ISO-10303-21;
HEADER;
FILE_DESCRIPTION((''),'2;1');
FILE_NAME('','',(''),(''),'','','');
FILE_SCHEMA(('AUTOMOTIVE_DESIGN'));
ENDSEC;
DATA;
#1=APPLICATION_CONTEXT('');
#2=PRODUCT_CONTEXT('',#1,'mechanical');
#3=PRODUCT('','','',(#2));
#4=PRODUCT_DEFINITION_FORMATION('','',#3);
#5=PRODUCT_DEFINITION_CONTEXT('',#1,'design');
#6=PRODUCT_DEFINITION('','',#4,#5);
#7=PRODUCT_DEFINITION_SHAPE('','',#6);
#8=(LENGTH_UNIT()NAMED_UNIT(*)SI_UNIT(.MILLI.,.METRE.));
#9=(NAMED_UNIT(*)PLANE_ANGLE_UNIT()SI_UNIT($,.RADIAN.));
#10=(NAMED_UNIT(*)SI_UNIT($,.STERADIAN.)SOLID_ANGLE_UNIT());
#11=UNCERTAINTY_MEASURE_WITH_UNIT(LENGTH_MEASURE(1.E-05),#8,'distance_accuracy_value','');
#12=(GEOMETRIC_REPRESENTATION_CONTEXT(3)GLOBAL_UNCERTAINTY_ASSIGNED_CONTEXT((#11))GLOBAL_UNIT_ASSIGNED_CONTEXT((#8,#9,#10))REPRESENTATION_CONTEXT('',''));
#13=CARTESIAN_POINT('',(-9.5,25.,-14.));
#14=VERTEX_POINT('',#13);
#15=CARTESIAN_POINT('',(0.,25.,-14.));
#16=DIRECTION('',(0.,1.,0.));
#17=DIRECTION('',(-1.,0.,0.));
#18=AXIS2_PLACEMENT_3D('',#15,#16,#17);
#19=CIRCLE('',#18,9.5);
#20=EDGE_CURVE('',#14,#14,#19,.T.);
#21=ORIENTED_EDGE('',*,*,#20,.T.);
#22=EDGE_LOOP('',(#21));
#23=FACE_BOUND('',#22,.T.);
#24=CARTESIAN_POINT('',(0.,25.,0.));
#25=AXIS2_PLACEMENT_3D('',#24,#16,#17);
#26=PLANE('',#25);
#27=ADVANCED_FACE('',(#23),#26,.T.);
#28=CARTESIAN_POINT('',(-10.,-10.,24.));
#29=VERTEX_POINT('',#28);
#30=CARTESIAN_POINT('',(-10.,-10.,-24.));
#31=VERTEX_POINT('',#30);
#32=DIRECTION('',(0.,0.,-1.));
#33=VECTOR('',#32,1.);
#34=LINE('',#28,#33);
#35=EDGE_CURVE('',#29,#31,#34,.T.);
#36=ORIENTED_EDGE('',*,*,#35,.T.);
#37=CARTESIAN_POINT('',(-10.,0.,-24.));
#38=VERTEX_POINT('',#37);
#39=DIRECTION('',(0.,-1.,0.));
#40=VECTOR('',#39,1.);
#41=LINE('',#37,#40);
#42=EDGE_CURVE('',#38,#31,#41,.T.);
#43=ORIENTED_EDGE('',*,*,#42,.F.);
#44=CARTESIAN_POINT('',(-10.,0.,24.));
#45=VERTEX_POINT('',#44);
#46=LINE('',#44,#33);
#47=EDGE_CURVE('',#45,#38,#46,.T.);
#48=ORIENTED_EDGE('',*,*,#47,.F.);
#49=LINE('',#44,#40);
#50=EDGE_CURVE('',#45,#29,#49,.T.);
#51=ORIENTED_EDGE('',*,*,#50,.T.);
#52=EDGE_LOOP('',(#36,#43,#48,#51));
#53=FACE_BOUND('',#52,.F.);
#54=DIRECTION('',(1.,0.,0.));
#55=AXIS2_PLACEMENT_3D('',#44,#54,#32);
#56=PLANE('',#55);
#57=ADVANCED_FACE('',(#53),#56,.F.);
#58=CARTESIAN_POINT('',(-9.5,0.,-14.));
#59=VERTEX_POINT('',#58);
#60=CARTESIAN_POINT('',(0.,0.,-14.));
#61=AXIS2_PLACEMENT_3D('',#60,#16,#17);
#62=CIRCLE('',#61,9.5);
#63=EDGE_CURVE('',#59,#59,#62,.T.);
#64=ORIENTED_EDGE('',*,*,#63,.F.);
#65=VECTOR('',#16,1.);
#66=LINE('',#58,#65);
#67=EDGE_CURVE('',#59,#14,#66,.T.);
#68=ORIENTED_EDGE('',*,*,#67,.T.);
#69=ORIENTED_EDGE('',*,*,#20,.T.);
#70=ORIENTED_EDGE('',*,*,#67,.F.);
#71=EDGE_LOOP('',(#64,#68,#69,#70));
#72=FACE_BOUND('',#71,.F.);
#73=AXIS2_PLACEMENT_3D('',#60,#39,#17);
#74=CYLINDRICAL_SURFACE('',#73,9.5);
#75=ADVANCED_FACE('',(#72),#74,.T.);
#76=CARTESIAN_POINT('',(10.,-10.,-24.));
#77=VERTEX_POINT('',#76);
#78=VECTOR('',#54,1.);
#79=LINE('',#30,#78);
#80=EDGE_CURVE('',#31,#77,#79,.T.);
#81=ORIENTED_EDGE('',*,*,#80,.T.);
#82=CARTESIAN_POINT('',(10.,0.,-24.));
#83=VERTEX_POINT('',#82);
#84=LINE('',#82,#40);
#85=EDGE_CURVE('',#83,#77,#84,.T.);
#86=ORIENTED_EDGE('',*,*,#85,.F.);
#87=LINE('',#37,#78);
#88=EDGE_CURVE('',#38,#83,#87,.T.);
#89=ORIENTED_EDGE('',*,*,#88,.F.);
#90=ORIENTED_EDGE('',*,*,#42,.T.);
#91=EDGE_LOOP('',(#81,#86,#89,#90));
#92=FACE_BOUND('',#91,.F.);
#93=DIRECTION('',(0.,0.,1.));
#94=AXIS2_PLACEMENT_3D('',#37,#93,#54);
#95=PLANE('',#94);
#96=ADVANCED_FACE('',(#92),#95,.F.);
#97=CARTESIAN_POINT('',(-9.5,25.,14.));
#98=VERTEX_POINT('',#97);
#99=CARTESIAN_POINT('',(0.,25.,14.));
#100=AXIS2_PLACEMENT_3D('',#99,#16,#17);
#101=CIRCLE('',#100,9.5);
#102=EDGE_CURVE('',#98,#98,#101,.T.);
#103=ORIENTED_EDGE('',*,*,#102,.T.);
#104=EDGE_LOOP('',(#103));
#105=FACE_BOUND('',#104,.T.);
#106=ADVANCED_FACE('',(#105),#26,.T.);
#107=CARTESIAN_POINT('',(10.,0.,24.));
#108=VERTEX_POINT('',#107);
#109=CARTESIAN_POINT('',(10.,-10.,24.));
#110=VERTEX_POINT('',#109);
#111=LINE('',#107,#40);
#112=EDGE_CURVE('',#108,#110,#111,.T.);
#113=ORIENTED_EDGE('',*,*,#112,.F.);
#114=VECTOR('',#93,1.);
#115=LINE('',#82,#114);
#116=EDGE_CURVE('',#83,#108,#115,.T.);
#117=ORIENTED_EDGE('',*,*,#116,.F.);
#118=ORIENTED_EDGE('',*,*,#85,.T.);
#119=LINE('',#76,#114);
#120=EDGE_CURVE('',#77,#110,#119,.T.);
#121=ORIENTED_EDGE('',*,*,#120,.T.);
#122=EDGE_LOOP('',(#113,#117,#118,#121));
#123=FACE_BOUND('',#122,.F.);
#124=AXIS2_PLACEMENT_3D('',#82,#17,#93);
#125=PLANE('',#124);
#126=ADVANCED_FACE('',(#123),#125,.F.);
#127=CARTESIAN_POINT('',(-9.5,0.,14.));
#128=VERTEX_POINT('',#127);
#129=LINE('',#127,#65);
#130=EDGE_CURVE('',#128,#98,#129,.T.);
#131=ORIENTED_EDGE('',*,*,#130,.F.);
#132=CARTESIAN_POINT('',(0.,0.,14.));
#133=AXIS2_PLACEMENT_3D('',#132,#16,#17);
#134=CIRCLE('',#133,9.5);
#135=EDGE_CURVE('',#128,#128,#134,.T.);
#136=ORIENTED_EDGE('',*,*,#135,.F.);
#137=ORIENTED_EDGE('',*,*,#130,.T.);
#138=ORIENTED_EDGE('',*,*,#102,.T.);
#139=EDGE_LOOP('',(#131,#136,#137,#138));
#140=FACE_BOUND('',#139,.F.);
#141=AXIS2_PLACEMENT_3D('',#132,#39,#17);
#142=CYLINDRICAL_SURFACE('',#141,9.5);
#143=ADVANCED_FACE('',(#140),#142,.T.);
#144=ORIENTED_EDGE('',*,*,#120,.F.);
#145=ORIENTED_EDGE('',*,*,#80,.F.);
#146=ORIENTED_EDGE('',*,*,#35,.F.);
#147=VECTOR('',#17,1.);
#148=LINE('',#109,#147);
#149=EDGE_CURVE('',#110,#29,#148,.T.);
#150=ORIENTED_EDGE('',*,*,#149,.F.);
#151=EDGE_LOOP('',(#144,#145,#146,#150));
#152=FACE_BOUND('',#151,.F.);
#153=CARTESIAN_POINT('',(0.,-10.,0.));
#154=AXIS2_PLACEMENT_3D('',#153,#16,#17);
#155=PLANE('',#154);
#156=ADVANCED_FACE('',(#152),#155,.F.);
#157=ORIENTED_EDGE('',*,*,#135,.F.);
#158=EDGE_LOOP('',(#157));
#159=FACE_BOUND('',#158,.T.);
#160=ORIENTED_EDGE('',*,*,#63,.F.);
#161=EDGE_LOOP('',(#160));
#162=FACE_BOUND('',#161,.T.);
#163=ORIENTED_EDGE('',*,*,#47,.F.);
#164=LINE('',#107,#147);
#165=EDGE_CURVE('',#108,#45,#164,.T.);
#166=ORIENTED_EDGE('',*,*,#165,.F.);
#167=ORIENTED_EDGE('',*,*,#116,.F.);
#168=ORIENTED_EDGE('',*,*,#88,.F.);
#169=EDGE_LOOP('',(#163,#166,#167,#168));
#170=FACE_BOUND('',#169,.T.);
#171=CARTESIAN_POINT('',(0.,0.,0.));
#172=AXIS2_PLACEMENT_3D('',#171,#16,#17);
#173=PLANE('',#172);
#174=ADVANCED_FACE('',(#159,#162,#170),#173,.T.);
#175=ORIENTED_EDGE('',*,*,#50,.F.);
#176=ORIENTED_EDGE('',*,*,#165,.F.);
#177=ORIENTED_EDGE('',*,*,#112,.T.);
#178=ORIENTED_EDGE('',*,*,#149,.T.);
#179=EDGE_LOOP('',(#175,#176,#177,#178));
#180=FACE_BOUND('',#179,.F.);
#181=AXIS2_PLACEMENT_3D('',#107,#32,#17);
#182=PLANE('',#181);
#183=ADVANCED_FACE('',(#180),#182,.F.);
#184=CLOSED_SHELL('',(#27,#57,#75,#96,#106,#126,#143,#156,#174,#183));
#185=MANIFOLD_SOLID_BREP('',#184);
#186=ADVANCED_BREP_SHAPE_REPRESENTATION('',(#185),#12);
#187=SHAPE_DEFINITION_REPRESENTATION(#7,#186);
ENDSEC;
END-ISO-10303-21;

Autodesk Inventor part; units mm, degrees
ref_plane "YZ Plane" through (0, 0, 0) normal (1, 0, 0) x (0, 1, 0)
ref_plane "XZ Plane" through (0, 0, 0) normal (0, 1, 0) x (-1, 0, 0)
ref_plane "XY Plane" through (0, 0, 0) normal (0, 0, 1) x (1, 0, 0)
sketch "Sketch1" plane through (0, 0, 0) normal (0, 1, 0) x (-1, 0, 0)
  line L0 (-10, 24) -> (10, 24)
  line L1 (10, 24) -> (10, -24)
  line L2 (10, -24) -> (-10, -24)
  line L3 (-10, -24) -> (-10, 24)
  line L4 (-10, 24) -> (10, -24) construction
  line L5 (10, 24) -> (-10, -24) construction
  line L6 (0, 0) -> (0, -23.5) construction
  line L7 (0, -23.5) -> (0, -14) construction
  circle A0 centre (0, -14) radius 9.5
  line L8 (0, 0) -> (0, 23.5) construction
  line L9 (0, 23.5) -> (0, 14) construction
  circle A1 centre (0, 14) radius 9.5
  dimension "d0" = 20
  dimension "d1" = 48
  dimension "d2" = 23.5
  dimension "d3" = 9.5
  dimension "d4" = 19
  dimension "d5" = 23.5
  dimension "d6" = 9.5
  dimension "d7" = 19
extrude "Extrusion1" add sketch "Sketch1" along normal blind 25 contours A0 | A1
extrude "Extrusion2" add sketch "Sketch1" against normal blind 10
extrude "Extrusion3" add sketch "Sketch1" against normal blind 10 contours A1
extrude "Extrusion4" add sketch "Sketch1" against normal blind 10 contours A0
properties part number "LIDARLite" material "Acetal Resin, Black"
